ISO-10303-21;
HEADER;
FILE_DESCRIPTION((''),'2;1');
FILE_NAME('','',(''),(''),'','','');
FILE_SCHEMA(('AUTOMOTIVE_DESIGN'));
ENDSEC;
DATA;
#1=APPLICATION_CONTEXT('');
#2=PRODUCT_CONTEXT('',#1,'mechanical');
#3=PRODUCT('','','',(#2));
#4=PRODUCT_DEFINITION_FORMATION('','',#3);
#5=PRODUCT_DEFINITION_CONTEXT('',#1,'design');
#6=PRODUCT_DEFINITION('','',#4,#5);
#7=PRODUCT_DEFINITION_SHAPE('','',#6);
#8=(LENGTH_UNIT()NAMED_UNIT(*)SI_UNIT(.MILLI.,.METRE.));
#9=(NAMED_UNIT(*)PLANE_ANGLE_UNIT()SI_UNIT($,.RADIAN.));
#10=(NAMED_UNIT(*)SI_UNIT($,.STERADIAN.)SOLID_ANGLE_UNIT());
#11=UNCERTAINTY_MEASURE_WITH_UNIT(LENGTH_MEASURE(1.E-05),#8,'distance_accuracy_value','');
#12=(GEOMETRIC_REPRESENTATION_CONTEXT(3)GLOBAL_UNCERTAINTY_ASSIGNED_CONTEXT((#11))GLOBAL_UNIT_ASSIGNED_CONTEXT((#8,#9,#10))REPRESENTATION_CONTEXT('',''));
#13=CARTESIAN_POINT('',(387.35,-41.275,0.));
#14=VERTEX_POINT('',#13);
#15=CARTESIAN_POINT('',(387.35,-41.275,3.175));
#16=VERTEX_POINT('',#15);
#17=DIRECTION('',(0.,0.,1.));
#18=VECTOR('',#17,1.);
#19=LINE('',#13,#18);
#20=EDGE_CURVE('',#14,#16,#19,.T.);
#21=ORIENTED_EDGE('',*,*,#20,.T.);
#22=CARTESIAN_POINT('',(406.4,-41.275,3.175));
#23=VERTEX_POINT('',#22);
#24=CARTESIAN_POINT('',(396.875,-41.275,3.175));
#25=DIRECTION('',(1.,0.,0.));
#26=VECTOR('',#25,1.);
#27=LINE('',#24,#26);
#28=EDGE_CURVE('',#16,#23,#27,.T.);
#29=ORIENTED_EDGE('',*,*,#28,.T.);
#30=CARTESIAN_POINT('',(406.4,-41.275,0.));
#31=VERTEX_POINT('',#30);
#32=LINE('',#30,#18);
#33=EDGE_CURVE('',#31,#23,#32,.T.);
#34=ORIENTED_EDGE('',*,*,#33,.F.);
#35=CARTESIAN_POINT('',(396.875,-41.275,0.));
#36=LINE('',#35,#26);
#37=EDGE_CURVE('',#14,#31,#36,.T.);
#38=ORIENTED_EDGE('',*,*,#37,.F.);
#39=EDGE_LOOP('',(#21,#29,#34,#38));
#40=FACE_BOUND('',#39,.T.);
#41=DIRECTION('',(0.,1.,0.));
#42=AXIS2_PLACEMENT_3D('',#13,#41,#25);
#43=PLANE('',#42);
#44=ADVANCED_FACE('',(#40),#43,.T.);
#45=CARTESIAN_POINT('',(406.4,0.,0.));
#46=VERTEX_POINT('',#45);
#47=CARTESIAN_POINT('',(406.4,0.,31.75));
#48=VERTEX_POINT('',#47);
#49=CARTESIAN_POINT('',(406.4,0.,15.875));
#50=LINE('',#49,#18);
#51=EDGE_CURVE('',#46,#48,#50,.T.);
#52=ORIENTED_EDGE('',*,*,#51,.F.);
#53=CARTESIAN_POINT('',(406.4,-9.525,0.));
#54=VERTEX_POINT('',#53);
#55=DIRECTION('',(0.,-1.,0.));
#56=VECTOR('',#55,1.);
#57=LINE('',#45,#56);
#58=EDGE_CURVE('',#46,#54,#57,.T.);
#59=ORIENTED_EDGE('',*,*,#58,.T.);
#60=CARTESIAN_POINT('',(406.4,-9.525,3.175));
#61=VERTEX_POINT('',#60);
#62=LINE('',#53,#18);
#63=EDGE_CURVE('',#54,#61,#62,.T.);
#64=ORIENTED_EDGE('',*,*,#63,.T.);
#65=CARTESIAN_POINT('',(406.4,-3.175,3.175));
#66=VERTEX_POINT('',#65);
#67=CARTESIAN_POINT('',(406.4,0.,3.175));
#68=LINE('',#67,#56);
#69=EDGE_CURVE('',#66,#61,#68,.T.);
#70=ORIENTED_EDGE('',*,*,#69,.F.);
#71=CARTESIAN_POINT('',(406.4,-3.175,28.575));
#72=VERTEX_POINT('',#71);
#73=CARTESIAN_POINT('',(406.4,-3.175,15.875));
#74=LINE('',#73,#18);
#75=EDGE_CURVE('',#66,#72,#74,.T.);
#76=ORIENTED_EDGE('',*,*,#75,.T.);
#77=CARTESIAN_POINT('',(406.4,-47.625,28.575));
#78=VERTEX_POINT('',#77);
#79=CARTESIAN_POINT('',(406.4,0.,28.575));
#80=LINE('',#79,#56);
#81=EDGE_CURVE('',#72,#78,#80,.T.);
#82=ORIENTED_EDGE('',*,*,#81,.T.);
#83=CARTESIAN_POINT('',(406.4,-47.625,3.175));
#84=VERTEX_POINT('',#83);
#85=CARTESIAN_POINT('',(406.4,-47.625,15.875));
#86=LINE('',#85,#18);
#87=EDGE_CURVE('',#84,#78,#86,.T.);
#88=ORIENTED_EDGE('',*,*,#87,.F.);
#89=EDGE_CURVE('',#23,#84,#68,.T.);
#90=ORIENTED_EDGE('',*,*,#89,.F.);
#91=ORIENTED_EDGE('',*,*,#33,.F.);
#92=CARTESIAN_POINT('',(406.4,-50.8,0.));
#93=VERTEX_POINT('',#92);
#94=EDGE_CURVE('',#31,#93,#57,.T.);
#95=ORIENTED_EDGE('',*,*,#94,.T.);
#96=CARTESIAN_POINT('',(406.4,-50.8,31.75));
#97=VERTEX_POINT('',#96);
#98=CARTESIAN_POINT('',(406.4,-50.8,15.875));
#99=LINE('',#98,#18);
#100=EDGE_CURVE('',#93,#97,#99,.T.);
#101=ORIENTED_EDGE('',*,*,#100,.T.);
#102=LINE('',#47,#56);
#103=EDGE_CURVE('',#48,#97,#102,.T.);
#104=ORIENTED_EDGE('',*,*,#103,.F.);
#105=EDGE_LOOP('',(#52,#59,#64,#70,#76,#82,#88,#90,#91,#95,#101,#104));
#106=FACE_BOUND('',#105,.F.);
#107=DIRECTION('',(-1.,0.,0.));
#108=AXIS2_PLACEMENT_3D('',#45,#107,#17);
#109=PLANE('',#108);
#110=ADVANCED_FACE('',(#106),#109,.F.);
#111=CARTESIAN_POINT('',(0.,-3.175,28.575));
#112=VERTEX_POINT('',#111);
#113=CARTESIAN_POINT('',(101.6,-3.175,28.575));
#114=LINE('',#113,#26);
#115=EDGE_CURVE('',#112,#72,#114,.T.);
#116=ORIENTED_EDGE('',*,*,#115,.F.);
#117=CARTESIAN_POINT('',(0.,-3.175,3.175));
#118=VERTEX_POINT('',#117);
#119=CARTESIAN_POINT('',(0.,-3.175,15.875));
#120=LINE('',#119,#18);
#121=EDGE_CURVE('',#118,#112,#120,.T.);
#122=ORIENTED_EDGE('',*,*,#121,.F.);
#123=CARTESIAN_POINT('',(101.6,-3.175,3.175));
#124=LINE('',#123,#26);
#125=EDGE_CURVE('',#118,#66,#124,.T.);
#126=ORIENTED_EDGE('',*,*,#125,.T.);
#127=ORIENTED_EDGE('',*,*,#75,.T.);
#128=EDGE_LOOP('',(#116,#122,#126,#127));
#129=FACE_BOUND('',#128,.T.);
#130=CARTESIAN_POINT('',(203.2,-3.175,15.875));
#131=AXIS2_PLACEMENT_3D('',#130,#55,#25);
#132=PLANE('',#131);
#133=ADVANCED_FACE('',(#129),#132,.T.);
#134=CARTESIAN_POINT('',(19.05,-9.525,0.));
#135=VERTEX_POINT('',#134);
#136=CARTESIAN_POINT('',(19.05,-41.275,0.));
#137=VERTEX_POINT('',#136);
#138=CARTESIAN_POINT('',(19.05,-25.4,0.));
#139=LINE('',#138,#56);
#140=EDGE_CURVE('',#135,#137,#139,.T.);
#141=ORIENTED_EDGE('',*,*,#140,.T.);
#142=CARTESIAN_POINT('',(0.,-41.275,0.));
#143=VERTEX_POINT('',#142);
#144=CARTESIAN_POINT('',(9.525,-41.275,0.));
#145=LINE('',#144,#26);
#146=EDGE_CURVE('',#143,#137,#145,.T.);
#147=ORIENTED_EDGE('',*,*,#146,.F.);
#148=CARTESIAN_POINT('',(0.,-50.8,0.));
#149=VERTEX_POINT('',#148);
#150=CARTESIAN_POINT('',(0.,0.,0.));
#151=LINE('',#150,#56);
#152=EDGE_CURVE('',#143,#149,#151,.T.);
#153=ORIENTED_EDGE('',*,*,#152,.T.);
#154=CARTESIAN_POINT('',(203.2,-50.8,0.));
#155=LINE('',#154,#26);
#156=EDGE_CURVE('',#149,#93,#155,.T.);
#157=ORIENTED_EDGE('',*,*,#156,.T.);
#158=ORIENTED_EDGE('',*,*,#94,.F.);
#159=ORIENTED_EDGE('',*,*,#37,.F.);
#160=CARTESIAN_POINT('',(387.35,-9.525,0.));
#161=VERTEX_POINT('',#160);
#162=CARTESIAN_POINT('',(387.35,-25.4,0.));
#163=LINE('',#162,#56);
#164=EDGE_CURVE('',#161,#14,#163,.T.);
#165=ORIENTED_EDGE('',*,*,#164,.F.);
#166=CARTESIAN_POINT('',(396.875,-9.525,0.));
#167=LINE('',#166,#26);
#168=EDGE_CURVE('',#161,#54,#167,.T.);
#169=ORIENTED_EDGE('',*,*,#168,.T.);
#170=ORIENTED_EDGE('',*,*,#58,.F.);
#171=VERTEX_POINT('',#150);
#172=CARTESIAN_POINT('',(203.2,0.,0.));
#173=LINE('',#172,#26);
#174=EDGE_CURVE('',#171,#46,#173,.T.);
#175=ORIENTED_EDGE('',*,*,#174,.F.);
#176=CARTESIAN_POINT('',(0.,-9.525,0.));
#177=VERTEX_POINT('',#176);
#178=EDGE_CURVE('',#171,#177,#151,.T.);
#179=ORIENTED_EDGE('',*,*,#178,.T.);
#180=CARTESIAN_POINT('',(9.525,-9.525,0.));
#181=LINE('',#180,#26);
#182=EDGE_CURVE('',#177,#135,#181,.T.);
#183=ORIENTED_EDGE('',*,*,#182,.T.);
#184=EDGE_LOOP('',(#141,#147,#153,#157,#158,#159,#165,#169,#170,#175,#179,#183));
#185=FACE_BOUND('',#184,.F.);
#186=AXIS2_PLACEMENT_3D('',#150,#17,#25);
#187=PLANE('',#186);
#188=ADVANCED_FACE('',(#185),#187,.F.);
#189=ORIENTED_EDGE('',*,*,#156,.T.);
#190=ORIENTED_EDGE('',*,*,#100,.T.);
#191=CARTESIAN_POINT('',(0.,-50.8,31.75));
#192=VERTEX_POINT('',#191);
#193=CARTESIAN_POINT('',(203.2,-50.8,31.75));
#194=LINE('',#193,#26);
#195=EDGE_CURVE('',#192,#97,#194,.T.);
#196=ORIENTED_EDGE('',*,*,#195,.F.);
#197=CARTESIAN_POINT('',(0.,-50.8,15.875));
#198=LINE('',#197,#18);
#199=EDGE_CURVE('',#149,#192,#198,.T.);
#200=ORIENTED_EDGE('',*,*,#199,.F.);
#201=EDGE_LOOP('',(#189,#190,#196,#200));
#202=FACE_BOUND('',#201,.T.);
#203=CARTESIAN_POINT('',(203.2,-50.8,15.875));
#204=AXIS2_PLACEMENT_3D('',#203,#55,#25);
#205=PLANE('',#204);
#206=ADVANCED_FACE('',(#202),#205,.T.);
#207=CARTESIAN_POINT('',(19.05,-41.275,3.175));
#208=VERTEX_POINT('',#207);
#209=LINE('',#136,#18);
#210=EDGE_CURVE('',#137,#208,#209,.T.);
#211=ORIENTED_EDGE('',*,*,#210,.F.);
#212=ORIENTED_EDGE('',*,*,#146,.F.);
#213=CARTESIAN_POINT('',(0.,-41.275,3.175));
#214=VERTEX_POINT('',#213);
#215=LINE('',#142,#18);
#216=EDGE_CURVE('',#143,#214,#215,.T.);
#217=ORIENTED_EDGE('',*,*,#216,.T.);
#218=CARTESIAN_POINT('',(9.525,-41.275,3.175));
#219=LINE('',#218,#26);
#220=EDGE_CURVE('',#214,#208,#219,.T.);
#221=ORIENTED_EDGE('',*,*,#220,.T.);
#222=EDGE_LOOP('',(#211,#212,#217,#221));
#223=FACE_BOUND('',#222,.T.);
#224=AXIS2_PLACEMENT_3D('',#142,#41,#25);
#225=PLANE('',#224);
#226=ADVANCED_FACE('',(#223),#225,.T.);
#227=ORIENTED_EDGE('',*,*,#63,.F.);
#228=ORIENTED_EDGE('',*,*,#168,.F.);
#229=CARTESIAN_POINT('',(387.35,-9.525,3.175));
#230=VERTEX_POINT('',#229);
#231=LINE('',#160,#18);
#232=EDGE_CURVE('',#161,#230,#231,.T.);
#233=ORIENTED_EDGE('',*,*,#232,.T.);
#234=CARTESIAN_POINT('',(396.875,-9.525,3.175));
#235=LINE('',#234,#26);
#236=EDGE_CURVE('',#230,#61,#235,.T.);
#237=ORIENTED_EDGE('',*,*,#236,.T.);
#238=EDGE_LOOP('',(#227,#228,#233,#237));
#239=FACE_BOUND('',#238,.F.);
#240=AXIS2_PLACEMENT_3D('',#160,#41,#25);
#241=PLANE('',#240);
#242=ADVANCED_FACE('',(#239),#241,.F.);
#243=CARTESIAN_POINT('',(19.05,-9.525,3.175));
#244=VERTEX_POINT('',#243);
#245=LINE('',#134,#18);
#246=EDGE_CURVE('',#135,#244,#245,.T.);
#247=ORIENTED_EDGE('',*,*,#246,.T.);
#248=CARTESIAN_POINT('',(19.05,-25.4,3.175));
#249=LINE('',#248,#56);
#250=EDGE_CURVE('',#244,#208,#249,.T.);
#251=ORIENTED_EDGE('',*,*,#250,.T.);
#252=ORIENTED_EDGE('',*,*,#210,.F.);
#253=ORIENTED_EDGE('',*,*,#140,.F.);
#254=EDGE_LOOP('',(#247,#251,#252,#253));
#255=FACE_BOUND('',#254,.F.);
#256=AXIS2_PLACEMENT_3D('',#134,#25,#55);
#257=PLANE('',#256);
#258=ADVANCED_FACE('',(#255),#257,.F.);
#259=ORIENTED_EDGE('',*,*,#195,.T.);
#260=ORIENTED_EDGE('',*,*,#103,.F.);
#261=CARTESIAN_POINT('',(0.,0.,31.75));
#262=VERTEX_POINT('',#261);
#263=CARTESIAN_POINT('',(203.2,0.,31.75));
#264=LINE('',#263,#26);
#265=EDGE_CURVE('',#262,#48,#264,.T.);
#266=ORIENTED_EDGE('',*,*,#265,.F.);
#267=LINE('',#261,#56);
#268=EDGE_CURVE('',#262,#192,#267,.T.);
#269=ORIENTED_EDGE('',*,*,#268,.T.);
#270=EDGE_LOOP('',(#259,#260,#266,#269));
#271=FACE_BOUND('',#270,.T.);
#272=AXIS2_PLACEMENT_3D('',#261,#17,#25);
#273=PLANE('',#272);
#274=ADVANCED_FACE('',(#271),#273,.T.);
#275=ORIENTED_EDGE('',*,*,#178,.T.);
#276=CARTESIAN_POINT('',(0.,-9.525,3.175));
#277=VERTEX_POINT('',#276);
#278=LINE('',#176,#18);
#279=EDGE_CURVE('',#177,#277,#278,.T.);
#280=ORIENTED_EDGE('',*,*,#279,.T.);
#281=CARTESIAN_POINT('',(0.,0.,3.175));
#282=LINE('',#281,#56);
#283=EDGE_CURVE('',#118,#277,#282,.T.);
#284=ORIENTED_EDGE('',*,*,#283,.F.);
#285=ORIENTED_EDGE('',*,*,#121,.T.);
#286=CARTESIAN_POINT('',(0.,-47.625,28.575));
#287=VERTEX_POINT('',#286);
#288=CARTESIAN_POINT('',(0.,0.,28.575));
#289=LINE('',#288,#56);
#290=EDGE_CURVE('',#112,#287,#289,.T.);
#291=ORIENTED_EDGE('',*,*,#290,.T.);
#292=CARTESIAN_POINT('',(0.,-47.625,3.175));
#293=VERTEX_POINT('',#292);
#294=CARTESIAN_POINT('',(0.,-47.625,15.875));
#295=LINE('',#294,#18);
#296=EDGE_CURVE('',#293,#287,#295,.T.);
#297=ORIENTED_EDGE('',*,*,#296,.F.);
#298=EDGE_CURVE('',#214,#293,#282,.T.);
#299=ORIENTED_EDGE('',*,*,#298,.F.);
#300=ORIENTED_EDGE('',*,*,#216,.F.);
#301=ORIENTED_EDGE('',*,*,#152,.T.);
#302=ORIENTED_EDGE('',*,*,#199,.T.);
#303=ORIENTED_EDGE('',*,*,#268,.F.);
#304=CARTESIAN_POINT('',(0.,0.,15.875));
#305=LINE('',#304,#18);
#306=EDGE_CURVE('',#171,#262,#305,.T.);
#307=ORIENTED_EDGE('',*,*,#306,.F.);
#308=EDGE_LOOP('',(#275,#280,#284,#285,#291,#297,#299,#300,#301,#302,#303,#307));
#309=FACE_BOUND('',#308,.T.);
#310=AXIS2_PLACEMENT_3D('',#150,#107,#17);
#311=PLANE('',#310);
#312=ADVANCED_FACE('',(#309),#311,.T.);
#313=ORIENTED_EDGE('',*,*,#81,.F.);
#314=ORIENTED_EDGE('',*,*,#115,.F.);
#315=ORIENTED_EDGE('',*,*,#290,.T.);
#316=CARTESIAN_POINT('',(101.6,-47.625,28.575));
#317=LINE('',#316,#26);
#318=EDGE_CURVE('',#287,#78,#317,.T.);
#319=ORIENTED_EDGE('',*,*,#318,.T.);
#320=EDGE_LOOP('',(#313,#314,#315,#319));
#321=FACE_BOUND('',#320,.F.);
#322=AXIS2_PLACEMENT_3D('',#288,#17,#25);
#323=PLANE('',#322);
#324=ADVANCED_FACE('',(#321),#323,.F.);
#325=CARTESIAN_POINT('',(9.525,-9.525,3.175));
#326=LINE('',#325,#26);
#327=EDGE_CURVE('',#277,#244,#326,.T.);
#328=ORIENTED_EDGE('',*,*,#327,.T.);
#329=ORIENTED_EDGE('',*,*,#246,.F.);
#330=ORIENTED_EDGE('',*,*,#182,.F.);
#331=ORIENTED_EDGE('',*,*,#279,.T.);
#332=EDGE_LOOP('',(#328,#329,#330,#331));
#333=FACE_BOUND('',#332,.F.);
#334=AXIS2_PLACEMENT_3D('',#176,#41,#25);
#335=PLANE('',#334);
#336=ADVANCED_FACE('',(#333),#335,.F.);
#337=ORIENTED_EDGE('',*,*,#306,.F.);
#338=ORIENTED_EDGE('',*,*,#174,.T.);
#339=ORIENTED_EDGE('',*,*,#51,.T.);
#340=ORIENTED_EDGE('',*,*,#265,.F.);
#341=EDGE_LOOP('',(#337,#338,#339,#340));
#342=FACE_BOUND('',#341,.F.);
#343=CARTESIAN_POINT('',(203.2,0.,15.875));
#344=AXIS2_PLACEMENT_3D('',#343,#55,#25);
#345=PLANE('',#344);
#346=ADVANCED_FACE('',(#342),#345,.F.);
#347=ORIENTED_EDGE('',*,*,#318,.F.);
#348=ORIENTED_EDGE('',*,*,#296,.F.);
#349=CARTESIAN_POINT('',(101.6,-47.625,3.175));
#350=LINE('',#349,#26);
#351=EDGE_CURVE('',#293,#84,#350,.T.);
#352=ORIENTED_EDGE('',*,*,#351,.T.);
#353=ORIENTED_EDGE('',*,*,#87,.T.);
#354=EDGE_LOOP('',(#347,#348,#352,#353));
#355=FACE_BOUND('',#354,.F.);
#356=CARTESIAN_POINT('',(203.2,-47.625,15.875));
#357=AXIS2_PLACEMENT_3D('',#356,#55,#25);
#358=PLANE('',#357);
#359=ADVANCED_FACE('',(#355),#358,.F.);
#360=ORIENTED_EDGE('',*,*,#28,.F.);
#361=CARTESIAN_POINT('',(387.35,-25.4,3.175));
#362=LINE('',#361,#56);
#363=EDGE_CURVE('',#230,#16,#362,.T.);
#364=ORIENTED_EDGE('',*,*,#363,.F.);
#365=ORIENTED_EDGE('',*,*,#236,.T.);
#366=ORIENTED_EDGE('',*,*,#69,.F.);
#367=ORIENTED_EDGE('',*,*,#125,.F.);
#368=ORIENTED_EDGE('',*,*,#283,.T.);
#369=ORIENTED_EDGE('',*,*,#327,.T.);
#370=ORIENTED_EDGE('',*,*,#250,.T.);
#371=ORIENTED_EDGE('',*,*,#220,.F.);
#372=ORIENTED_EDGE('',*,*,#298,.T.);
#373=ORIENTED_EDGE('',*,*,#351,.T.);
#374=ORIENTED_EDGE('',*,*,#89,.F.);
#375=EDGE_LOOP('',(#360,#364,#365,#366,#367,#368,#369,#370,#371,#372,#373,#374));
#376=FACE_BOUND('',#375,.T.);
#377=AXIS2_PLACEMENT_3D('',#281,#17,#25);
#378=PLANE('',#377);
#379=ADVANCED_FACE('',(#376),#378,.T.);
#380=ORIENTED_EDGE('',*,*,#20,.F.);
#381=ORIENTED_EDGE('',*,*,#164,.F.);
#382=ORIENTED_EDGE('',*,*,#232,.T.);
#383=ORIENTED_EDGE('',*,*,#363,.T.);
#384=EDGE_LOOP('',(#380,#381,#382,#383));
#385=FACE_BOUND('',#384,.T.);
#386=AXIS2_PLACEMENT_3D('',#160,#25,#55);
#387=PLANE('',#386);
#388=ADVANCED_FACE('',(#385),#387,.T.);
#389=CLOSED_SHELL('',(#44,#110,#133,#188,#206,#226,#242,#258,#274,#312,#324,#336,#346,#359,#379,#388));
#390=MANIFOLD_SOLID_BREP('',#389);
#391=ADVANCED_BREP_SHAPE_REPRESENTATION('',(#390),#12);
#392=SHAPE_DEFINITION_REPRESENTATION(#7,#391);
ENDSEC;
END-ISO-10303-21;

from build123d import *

# Parameters (mm, degrees)
F0_W     = 406.4
F0_H     = 31.75
F1_DEPTH = 50.8
F2_T     = -3.175
F3_W     = 19.05
F3_H     = 31.75
F4_DEPTH = 3.175


with BuildPart() as f1:
    # F0 (on Front) → F1 (new body)
    with BuildSketch(Plane.XZ):
        with Locations((203.2, 15.875)):
            Rectangle(F0_W, F0_H)
    extrude(amount=F1_DEPTH)

    # F2
    f2_openings = [f1.faces().sort_by_distance(p)[0] for p in [
        (0, -25.4, 15.875),
        (406.4, -25.4, 15.875),
    ]]
    offset(amount=F2_T, openings=f2_openings)

    # F3 (on face) → F4 (cut)
    with BuildSketch(Plane(origin=(0, 0, 0), x_dir=(1, 0, 0), z_dir=(0, 0, -1))):
        with Locations((9.525, 25.4)):
            Rectangle(F3_W, F3_H)
        with Locations((396.875, 25.4)):
            Rectangle(F3_W, F3_H)
    extrude(amount=-F4_DEPTH, mode=Mode.SUBTRACT)


solid = f1.part
